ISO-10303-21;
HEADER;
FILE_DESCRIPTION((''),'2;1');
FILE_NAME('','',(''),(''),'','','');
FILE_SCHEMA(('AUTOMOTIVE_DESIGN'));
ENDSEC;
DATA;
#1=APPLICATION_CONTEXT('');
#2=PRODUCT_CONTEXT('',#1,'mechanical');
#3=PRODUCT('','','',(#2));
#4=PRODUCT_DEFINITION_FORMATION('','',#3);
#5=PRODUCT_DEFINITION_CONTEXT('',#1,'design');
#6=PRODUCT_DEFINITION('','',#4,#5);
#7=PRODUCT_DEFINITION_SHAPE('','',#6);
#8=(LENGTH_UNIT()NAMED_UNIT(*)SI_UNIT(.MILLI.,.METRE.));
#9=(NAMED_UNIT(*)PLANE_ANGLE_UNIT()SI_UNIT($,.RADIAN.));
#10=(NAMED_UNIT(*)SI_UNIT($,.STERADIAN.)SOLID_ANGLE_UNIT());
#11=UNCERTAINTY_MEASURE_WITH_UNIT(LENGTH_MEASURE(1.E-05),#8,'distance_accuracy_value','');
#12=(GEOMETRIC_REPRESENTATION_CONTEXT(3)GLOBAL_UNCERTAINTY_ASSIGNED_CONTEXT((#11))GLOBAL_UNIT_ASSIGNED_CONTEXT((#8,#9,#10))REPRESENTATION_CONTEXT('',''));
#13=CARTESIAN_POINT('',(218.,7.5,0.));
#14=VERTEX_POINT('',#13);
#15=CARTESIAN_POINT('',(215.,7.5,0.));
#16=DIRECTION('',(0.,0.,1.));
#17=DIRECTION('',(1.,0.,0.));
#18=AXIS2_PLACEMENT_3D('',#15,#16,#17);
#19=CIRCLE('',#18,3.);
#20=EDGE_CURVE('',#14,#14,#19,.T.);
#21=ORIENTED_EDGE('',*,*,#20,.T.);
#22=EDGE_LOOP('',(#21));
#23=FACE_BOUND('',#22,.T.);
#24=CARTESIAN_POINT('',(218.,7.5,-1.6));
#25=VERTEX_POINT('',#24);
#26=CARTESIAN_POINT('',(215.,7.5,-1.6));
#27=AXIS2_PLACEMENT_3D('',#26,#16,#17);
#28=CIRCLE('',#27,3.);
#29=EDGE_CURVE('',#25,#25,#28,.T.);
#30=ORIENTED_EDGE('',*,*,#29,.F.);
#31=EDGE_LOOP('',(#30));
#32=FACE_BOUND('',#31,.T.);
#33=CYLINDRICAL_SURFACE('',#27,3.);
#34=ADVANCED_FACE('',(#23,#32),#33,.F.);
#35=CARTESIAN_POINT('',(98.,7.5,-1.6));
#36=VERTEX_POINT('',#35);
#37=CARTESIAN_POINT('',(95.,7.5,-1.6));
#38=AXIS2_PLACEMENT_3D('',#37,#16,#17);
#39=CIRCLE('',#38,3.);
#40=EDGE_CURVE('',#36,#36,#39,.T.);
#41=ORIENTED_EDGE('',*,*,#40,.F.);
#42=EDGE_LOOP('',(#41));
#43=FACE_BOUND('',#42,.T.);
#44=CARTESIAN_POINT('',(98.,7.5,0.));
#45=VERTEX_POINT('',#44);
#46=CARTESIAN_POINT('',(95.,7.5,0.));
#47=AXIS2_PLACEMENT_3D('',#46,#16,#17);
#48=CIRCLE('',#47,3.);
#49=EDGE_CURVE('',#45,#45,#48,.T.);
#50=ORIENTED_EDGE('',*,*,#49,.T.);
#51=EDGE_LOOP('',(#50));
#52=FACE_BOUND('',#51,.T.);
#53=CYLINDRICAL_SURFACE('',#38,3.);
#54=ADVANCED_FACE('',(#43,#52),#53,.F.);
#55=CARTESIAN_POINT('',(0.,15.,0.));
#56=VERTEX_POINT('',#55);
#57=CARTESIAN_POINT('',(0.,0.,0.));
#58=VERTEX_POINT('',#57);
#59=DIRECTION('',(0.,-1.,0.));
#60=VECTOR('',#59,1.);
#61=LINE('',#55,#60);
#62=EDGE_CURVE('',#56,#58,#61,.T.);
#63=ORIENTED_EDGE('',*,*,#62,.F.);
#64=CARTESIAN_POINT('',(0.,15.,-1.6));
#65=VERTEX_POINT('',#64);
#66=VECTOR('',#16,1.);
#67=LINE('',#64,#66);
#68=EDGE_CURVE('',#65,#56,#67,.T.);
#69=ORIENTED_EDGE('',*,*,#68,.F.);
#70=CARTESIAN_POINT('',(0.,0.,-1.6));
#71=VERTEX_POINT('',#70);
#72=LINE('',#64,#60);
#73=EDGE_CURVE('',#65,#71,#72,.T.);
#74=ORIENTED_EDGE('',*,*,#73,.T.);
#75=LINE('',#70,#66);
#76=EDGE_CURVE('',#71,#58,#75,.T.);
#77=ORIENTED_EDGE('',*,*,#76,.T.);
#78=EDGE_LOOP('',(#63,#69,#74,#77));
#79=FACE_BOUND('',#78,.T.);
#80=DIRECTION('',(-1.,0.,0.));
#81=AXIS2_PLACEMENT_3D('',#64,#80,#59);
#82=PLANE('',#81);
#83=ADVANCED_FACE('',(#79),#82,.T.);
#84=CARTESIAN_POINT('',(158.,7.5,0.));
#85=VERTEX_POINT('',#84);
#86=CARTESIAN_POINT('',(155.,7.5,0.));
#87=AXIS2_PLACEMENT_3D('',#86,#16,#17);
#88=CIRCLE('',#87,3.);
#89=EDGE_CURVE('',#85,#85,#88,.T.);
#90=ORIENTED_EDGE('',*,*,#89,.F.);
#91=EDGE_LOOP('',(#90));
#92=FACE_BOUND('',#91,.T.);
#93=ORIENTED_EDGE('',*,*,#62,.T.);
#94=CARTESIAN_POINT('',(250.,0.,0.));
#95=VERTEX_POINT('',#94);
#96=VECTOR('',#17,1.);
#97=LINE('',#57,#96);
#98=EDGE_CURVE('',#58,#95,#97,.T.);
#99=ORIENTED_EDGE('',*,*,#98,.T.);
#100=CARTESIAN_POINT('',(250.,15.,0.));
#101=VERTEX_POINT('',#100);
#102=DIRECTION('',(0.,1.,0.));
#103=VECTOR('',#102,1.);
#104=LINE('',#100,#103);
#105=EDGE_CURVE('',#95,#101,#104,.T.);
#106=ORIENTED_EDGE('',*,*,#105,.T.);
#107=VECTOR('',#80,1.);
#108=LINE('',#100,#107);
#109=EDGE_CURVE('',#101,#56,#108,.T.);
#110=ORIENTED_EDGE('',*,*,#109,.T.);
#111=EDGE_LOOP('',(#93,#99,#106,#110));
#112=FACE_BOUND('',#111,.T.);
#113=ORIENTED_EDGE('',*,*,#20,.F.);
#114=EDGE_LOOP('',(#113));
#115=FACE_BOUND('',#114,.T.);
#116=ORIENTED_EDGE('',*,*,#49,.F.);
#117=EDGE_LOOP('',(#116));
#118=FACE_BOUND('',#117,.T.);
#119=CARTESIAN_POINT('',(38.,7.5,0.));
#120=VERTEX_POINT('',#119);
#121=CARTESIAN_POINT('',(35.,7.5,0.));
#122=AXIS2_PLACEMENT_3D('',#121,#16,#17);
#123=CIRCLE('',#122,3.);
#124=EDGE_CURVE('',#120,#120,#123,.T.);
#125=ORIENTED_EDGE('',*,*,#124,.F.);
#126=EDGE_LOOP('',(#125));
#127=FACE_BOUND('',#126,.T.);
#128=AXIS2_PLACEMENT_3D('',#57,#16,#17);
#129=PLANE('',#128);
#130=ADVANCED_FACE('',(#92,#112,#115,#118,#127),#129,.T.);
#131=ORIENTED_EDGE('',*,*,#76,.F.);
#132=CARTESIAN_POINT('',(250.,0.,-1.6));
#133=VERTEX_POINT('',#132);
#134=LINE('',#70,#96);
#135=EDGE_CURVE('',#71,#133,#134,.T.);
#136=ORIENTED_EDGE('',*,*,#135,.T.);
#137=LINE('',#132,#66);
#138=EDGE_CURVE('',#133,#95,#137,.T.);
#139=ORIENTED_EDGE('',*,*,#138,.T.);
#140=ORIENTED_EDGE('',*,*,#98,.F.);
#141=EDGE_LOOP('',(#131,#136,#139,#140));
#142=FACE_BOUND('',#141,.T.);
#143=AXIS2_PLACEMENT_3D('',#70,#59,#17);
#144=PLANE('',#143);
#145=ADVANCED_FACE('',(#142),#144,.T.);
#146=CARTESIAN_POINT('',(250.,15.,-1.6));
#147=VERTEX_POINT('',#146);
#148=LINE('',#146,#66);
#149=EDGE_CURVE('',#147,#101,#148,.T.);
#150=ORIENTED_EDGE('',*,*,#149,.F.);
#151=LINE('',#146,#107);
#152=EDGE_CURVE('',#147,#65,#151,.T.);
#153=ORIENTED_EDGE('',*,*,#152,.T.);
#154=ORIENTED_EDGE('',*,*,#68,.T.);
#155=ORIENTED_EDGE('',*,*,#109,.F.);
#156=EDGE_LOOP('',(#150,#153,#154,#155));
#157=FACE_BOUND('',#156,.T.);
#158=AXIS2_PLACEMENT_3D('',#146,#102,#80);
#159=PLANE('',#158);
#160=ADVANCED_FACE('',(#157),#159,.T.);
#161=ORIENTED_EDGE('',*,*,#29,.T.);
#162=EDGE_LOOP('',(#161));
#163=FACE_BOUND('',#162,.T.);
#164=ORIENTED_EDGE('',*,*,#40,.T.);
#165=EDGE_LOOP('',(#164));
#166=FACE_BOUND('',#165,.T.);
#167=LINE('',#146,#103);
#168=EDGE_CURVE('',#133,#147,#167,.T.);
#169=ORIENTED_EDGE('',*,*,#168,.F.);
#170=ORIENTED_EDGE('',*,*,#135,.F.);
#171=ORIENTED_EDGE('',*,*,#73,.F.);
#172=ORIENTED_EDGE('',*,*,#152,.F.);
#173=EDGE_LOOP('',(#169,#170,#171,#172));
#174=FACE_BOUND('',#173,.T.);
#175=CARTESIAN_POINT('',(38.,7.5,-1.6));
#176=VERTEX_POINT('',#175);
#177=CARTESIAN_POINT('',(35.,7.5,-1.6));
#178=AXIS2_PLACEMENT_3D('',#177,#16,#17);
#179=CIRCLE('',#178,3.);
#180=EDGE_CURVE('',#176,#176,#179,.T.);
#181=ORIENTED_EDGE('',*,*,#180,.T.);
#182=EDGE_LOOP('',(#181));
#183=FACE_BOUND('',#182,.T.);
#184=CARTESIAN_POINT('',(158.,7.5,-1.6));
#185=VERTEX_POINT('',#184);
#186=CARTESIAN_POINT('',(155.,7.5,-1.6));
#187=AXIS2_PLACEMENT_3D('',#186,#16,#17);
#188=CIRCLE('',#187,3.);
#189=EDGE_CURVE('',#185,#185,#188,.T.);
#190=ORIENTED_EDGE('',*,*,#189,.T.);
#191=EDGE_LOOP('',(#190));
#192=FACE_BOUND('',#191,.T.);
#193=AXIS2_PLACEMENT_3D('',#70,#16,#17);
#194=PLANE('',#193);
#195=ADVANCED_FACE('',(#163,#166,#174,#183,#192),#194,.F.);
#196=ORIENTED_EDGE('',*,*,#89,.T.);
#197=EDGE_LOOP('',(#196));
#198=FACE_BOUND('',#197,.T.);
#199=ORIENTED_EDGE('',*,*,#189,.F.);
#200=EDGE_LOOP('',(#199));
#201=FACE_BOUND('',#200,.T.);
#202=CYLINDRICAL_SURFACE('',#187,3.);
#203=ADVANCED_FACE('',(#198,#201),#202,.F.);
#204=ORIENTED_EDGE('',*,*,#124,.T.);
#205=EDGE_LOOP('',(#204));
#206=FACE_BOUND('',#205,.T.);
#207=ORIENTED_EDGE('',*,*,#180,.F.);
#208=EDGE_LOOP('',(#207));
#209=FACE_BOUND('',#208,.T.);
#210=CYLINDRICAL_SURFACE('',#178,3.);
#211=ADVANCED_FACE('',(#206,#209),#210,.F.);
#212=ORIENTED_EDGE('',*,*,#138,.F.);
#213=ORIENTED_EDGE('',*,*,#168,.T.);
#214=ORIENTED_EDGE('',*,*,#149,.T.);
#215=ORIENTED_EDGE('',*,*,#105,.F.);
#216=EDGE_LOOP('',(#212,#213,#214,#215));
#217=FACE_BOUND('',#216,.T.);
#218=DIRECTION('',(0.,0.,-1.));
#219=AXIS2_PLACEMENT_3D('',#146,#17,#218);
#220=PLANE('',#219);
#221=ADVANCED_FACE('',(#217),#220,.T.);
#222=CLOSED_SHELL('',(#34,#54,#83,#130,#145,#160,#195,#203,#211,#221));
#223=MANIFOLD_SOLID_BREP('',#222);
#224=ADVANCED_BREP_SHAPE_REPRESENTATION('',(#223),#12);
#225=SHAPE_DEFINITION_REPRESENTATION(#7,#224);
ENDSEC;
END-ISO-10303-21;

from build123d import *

# Parameters (mm, degrees)
MODEL_W         = 250
MODEL_H         = 15
MODEL_R         = 3
EXTRUDE_1_DEPTH = 1.6


with BuildPart() as part:
    # Model → Бобышка-Вытянуть1 (new body)
    with BuildSketch(Plane.XY):
        with Locations((125, 7.5)):
            Rectangle(MODEL_W, MODEL_H)
        with Locations((215, 7.5)):
            Circle(MODEL_R, mode=Mode.SUBTRACT)
        with Locations((95, 7.5)):
            Circle(MODEL_R, mode=Mode.SUBTRACT)
        with Locations((35, 7.5)):
            Circle(MODEL_R, mode=Mode.SUBTRACT)
        with Locations((155, 7.5)):
            Circle(MODEL_R, mode=Mode.SUBTRACT)
    extrude(amount=-EXTRUDE_1_DEPTH)


solid = part.part
